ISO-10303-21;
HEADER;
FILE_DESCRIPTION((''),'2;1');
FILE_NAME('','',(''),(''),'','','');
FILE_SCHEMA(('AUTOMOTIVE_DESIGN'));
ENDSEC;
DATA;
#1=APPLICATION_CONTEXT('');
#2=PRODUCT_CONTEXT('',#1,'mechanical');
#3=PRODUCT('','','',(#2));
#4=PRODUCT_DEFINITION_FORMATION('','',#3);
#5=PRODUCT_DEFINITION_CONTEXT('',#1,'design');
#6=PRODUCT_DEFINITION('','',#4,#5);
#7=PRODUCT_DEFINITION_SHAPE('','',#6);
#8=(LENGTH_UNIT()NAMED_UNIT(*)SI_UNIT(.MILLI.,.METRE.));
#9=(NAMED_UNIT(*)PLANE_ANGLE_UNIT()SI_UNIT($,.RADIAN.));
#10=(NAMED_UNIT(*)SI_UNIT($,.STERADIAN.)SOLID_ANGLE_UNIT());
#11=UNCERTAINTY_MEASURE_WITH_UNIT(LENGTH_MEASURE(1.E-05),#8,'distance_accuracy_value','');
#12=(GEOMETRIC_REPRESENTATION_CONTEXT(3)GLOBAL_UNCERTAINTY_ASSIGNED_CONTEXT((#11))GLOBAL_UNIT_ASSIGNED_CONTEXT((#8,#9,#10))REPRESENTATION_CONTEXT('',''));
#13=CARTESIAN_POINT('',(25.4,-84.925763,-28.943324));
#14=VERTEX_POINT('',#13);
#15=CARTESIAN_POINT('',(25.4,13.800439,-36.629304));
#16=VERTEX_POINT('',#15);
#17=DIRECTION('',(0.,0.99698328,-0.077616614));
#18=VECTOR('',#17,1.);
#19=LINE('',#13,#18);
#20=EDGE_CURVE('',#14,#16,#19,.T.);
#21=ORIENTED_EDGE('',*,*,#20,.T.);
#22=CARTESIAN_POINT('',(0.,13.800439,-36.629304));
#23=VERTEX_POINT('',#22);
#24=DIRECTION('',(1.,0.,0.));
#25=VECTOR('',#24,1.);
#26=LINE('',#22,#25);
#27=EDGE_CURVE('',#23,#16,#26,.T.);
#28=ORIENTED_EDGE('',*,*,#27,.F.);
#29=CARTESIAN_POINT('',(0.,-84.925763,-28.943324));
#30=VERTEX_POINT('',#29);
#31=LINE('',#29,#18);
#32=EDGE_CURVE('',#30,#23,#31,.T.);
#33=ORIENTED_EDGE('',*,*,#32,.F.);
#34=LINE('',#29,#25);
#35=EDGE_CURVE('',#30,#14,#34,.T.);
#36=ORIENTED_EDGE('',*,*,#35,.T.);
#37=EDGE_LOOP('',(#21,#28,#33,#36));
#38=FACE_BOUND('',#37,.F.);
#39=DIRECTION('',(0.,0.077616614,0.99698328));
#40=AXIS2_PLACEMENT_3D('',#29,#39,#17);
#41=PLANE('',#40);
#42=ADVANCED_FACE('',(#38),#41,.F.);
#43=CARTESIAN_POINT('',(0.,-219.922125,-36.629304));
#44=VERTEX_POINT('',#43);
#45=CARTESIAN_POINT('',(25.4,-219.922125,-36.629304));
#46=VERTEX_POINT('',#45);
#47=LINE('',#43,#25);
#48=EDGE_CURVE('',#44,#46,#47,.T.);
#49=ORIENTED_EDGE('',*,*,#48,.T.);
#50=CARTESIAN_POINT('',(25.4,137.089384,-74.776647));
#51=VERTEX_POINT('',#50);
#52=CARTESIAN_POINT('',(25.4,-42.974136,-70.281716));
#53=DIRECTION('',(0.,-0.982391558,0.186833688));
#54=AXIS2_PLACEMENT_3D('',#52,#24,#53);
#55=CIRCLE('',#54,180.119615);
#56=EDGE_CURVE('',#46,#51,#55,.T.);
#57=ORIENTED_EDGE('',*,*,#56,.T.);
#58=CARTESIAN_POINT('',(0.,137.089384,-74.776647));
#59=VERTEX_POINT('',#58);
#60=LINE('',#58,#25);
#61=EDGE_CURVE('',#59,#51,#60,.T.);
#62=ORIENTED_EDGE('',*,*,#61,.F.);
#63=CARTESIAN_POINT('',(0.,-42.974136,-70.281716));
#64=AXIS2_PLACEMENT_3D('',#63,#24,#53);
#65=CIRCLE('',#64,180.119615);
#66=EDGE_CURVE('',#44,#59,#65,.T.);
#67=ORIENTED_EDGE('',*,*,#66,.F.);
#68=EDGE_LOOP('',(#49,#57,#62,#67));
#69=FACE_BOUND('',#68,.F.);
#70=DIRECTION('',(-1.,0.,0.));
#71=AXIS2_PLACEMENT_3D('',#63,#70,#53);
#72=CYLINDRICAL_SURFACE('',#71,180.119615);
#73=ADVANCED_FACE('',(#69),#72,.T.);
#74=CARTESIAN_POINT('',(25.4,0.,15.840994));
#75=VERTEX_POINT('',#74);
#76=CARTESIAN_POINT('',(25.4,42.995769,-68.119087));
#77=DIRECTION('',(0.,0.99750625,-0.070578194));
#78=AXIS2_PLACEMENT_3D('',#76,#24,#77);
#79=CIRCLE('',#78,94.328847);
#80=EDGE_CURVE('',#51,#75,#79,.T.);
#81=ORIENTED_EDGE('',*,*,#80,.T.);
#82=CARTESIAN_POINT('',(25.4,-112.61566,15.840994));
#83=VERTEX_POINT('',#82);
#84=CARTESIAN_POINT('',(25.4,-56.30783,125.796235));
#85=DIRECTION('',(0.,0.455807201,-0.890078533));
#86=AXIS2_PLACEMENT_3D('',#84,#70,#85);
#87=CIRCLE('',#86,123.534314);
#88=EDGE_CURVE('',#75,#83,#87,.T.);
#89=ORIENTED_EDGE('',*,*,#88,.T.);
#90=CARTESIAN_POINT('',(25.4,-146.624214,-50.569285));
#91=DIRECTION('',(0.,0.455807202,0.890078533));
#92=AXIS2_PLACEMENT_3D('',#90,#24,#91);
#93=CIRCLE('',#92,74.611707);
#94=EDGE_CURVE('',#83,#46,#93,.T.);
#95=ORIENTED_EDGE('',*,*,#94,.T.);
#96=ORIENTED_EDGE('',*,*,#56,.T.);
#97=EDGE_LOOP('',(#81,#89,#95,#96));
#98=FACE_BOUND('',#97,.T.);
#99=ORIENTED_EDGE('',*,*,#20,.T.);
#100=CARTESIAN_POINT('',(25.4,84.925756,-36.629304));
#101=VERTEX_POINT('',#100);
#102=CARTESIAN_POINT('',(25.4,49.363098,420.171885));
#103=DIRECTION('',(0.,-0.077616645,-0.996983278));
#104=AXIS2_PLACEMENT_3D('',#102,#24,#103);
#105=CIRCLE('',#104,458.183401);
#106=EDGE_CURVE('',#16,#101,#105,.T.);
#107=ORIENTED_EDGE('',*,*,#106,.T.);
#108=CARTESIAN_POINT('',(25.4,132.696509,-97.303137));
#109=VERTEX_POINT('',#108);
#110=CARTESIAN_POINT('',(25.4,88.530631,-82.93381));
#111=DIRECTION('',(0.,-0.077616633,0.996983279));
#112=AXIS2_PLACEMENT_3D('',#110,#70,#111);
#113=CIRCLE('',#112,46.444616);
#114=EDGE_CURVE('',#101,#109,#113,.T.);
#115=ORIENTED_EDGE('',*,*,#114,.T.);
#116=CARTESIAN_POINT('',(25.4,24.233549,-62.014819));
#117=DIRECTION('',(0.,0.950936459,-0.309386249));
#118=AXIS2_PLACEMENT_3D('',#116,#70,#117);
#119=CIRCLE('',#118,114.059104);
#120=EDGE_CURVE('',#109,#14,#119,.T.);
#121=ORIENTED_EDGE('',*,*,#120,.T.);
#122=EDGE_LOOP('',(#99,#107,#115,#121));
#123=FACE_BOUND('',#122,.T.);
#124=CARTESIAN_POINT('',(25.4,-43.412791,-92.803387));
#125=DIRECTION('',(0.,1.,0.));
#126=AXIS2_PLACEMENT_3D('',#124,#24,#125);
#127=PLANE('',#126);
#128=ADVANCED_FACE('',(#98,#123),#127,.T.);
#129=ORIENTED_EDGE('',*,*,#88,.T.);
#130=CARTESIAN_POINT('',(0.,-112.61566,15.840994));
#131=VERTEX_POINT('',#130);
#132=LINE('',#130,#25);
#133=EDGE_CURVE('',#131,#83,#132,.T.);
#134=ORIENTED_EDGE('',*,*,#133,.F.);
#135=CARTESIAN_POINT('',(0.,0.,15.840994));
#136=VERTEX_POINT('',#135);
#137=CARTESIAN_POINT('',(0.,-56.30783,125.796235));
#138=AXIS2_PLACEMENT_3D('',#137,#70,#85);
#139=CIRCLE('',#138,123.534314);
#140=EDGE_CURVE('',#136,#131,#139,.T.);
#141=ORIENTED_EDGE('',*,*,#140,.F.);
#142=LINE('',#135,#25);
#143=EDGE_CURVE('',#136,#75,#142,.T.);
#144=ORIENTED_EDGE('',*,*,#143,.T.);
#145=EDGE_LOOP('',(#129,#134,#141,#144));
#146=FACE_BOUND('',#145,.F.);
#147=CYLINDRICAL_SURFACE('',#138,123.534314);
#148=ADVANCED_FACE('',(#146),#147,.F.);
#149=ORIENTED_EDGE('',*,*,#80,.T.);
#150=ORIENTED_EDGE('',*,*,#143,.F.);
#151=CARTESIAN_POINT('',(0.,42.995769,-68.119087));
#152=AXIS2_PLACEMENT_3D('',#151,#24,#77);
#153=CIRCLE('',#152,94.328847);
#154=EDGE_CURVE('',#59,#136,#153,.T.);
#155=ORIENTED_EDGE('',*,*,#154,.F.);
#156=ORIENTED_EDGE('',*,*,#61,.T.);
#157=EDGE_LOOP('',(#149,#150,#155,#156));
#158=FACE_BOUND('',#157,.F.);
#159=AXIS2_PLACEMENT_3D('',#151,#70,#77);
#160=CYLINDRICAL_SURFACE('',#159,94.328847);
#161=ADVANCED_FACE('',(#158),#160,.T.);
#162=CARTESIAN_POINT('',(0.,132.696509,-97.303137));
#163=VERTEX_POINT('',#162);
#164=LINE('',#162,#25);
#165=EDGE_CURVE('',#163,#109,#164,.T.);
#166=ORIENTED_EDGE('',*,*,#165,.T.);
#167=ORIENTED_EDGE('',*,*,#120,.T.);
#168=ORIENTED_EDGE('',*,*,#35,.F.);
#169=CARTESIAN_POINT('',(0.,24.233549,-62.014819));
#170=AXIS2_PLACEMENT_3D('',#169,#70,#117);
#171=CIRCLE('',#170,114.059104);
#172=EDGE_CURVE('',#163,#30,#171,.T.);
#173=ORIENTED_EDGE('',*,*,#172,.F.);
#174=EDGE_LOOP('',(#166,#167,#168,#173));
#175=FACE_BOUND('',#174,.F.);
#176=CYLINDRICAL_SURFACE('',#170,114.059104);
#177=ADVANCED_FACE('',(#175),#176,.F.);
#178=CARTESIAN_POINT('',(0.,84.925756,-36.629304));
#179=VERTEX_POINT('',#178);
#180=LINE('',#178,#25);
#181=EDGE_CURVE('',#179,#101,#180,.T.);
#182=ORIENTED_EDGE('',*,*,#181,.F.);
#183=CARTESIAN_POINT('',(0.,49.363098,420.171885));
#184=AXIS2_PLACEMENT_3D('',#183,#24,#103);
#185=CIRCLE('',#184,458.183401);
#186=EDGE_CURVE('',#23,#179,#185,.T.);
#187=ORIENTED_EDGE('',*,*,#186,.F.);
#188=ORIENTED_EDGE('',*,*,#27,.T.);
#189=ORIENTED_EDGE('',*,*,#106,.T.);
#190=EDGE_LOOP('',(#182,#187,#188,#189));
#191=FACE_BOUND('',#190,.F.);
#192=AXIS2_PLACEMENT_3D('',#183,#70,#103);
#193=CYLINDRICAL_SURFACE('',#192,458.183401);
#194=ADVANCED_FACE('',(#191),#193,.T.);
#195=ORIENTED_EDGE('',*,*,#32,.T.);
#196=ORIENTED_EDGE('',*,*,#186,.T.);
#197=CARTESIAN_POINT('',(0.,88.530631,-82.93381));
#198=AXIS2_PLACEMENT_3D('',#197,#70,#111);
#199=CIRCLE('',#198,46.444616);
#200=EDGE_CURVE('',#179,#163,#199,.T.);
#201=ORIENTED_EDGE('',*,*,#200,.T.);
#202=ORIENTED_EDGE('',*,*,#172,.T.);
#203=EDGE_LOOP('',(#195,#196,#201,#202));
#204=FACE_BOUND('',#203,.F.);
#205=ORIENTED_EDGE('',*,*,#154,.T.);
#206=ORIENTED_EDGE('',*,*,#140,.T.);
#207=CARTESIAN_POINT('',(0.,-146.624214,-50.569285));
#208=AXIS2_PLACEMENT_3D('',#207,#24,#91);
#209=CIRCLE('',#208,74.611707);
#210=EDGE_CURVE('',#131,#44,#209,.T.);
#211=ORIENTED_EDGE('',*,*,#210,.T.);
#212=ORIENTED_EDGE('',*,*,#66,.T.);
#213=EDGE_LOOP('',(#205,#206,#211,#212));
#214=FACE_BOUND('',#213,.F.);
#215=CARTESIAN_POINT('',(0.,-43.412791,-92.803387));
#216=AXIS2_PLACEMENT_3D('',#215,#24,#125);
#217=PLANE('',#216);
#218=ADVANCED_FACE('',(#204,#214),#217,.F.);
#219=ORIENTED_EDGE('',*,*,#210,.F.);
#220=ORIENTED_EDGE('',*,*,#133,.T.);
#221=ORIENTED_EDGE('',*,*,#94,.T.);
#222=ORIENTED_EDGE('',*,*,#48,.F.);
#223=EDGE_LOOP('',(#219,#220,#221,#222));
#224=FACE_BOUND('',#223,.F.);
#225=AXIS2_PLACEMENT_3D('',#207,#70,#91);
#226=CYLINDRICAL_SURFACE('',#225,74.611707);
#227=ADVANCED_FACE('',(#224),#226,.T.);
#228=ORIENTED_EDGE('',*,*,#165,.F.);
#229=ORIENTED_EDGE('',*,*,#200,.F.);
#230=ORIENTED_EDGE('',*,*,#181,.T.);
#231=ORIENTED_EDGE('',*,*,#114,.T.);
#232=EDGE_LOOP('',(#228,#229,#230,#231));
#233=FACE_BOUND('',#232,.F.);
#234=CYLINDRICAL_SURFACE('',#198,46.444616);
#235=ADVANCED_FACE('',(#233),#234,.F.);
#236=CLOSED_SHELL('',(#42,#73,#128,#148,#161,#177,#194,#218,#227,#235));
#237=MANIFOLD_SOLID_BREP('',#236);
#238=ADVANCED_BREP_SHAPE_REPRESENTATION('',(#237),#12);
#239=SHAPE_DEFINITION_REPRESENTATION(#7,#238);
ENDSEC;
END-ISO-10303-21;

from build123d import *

# Parameters (mm, degrees)
F1_DEPTH = 25.4


with BuildPart() as f1:
    # F0 (on Right) → F1 (new body)
    with BuildSketch(Plane.YZ):
        with BuildLine():
            ThreePointArc((-219.922125, -36.629304), (-62.111314, -249.381811), (137.089384, -74.776647))
            ThreePointArc((137.089384, -74.776647), (95.011504, 10.572048), (0, 15.840994))
            ThreePointArc((0, 15.840994), (-56.30783, 2.261921), (-112.61566, 15.840994))
            ThreePointArc((-112.61566, 15.840994), (-179.39915, 16.458399), (-219.922125, -36.629304))
        make_face()
        with BuildLine():
            ThreePointArc((132.696509, -97.303137), (-9.948131, -170.8316), (-84.925763, -28.943324))
            Line((-84.925763, -28.943324), (13.800439, -36.629304))
            ThreePointArc((13.800439, -36.629304), (49.363098, -38.011516), (84.925756, -36.629304))
            ThreePointArc((84.925756, -36.629304), (125.022099, -54.202727), (132.696509, -97.303137))
        make_face(mode=Mode.SUBTRACT)
    extrude(amount=F1_DEPTH)


solid = f1.part
